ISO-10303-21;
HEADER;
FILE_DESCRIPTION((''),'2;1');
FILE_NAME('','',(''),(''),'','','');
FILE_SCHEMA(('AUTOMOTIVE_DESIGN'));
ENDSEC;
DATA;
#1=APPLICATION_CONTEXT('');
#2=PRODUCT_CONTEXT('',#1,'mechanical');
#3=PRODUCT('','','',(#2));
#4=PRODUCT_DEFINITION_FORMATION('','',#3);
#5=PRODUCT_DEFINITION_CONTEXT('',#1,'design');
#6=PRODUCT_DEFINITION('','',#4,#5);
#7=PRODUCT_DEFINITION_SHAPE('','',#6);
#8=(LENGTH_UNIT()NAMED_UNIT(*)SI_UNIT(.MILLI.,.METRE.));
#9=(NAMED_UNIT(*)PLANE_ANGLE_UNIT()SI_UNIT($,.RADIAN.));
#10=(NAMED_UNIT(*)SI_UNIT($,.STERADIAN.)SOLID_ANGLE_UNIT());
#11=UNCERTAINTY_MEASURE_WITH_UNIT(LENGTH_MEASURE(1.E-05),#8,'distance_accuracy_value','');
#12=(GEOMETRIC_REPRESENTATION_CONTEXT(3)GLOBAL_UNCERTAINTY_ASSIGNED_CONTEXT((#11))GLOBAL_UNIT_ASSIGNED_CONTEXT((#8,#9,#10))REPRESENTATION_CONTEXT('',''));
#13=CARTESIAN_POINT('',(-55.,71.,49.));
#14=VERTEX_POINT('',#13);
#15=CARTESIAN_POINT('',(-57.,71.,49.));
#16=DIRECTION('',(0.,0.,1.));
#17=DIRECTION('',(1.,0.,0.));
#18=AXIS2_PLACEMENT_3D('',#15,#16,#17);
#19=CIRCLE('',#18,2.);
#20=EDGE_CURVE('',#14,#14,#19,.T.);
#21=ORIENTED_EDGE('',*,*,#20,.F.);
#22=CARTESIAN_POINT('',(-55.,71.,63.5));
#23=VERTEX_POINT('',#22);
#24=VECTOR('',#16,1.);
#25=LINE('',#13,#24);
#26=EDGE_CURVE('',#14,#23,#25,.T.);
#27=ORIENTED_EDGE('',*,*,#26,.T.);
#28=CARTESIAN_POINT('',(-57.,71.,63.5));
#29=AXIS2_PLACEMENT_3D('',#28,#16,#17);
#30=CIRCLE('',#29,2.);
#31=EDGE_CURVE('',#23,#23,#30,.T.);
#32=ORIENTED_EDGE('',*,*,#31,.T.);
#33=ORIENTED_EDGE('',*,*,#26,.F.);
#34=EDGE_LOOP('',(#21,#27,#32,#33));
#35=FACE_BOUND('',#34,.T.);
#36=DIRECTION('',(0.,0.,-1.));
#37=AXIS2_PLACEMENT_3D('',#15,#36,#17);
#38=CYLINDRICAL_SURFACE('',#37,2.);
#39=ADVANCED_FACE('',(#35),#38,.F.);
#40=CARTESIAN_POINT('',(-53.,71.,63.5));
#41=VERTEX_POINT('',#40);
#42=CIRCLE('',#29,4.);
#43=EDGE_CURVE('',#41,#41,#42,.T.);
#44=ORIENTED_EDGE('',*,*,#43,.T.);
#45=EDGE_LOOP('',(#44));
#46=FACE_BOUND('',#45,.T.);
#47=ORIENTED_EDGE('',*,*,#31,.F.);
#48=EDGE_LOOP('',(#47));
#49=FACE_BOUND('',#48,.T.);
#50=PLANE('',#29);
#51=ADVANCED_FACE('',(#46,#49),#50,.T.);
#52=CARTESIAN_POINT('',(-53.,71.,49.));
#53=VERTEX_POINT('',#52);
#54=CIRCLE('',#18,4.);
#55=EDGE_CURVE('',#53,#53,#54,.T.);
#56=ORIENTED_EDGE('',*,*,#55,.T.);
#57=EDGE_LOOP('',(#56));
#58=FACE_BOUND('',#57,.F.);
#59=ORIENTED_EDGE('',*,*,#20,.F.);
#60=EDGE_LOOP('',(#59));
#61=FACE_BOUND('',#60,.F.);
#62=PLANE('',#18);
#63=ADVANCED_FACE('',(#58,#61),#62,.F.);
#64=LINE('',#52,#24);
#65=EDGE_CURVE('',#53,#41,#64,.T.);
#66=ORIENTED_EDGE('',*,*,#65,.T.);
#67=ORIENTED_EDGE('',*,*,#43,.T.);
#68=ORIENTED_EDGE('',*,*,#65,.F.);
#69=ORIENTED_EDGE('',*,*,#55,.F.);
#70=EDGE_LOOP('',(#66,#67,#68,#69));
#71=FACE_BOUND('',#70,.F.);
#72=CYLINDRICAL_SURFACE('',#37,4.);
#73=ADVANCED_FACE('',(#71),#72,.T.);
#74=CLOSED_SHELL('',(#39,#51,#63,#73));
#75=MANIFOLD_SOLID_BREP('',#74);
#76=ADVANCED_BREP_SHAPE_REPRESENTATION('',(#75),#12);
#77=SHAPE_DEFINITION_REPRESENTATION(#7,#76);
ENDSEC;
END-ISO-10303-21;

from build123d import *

# Parameters (mm, degrees)
CYLINDER_R        = 2
CYLINDER_DEPTH    = 14.5
CYLINDER001_R     = 4
CYLINDER001_DEPTH = 14.5


with BuildPart() as cylinder:
    # Cylinder → Cylinder (new body)
    with BuildSketch(Plane.XY):
        Circle(CYLINDER_R)
    extrude(amount=CYLINDER_DEPTH)


with BuildPart() as spacer1:
    # Cylinder001 → Cylinder001 (new body)
    with BuildSketch(Plane.XY):
        Circle(CYLINDER001_R)
    extrude(amount=CYLINDER001_DEPTH)

    # Cut: cut Cylinder
    add(cylinder.part, mode=Mode.SUBTRACT)


with BuildPart() as spacer1_1:
    # Cut placement: moved
    add(spacer1.part.moved(Location((-57, 71, 49))))


solid = spacer1_1.part
